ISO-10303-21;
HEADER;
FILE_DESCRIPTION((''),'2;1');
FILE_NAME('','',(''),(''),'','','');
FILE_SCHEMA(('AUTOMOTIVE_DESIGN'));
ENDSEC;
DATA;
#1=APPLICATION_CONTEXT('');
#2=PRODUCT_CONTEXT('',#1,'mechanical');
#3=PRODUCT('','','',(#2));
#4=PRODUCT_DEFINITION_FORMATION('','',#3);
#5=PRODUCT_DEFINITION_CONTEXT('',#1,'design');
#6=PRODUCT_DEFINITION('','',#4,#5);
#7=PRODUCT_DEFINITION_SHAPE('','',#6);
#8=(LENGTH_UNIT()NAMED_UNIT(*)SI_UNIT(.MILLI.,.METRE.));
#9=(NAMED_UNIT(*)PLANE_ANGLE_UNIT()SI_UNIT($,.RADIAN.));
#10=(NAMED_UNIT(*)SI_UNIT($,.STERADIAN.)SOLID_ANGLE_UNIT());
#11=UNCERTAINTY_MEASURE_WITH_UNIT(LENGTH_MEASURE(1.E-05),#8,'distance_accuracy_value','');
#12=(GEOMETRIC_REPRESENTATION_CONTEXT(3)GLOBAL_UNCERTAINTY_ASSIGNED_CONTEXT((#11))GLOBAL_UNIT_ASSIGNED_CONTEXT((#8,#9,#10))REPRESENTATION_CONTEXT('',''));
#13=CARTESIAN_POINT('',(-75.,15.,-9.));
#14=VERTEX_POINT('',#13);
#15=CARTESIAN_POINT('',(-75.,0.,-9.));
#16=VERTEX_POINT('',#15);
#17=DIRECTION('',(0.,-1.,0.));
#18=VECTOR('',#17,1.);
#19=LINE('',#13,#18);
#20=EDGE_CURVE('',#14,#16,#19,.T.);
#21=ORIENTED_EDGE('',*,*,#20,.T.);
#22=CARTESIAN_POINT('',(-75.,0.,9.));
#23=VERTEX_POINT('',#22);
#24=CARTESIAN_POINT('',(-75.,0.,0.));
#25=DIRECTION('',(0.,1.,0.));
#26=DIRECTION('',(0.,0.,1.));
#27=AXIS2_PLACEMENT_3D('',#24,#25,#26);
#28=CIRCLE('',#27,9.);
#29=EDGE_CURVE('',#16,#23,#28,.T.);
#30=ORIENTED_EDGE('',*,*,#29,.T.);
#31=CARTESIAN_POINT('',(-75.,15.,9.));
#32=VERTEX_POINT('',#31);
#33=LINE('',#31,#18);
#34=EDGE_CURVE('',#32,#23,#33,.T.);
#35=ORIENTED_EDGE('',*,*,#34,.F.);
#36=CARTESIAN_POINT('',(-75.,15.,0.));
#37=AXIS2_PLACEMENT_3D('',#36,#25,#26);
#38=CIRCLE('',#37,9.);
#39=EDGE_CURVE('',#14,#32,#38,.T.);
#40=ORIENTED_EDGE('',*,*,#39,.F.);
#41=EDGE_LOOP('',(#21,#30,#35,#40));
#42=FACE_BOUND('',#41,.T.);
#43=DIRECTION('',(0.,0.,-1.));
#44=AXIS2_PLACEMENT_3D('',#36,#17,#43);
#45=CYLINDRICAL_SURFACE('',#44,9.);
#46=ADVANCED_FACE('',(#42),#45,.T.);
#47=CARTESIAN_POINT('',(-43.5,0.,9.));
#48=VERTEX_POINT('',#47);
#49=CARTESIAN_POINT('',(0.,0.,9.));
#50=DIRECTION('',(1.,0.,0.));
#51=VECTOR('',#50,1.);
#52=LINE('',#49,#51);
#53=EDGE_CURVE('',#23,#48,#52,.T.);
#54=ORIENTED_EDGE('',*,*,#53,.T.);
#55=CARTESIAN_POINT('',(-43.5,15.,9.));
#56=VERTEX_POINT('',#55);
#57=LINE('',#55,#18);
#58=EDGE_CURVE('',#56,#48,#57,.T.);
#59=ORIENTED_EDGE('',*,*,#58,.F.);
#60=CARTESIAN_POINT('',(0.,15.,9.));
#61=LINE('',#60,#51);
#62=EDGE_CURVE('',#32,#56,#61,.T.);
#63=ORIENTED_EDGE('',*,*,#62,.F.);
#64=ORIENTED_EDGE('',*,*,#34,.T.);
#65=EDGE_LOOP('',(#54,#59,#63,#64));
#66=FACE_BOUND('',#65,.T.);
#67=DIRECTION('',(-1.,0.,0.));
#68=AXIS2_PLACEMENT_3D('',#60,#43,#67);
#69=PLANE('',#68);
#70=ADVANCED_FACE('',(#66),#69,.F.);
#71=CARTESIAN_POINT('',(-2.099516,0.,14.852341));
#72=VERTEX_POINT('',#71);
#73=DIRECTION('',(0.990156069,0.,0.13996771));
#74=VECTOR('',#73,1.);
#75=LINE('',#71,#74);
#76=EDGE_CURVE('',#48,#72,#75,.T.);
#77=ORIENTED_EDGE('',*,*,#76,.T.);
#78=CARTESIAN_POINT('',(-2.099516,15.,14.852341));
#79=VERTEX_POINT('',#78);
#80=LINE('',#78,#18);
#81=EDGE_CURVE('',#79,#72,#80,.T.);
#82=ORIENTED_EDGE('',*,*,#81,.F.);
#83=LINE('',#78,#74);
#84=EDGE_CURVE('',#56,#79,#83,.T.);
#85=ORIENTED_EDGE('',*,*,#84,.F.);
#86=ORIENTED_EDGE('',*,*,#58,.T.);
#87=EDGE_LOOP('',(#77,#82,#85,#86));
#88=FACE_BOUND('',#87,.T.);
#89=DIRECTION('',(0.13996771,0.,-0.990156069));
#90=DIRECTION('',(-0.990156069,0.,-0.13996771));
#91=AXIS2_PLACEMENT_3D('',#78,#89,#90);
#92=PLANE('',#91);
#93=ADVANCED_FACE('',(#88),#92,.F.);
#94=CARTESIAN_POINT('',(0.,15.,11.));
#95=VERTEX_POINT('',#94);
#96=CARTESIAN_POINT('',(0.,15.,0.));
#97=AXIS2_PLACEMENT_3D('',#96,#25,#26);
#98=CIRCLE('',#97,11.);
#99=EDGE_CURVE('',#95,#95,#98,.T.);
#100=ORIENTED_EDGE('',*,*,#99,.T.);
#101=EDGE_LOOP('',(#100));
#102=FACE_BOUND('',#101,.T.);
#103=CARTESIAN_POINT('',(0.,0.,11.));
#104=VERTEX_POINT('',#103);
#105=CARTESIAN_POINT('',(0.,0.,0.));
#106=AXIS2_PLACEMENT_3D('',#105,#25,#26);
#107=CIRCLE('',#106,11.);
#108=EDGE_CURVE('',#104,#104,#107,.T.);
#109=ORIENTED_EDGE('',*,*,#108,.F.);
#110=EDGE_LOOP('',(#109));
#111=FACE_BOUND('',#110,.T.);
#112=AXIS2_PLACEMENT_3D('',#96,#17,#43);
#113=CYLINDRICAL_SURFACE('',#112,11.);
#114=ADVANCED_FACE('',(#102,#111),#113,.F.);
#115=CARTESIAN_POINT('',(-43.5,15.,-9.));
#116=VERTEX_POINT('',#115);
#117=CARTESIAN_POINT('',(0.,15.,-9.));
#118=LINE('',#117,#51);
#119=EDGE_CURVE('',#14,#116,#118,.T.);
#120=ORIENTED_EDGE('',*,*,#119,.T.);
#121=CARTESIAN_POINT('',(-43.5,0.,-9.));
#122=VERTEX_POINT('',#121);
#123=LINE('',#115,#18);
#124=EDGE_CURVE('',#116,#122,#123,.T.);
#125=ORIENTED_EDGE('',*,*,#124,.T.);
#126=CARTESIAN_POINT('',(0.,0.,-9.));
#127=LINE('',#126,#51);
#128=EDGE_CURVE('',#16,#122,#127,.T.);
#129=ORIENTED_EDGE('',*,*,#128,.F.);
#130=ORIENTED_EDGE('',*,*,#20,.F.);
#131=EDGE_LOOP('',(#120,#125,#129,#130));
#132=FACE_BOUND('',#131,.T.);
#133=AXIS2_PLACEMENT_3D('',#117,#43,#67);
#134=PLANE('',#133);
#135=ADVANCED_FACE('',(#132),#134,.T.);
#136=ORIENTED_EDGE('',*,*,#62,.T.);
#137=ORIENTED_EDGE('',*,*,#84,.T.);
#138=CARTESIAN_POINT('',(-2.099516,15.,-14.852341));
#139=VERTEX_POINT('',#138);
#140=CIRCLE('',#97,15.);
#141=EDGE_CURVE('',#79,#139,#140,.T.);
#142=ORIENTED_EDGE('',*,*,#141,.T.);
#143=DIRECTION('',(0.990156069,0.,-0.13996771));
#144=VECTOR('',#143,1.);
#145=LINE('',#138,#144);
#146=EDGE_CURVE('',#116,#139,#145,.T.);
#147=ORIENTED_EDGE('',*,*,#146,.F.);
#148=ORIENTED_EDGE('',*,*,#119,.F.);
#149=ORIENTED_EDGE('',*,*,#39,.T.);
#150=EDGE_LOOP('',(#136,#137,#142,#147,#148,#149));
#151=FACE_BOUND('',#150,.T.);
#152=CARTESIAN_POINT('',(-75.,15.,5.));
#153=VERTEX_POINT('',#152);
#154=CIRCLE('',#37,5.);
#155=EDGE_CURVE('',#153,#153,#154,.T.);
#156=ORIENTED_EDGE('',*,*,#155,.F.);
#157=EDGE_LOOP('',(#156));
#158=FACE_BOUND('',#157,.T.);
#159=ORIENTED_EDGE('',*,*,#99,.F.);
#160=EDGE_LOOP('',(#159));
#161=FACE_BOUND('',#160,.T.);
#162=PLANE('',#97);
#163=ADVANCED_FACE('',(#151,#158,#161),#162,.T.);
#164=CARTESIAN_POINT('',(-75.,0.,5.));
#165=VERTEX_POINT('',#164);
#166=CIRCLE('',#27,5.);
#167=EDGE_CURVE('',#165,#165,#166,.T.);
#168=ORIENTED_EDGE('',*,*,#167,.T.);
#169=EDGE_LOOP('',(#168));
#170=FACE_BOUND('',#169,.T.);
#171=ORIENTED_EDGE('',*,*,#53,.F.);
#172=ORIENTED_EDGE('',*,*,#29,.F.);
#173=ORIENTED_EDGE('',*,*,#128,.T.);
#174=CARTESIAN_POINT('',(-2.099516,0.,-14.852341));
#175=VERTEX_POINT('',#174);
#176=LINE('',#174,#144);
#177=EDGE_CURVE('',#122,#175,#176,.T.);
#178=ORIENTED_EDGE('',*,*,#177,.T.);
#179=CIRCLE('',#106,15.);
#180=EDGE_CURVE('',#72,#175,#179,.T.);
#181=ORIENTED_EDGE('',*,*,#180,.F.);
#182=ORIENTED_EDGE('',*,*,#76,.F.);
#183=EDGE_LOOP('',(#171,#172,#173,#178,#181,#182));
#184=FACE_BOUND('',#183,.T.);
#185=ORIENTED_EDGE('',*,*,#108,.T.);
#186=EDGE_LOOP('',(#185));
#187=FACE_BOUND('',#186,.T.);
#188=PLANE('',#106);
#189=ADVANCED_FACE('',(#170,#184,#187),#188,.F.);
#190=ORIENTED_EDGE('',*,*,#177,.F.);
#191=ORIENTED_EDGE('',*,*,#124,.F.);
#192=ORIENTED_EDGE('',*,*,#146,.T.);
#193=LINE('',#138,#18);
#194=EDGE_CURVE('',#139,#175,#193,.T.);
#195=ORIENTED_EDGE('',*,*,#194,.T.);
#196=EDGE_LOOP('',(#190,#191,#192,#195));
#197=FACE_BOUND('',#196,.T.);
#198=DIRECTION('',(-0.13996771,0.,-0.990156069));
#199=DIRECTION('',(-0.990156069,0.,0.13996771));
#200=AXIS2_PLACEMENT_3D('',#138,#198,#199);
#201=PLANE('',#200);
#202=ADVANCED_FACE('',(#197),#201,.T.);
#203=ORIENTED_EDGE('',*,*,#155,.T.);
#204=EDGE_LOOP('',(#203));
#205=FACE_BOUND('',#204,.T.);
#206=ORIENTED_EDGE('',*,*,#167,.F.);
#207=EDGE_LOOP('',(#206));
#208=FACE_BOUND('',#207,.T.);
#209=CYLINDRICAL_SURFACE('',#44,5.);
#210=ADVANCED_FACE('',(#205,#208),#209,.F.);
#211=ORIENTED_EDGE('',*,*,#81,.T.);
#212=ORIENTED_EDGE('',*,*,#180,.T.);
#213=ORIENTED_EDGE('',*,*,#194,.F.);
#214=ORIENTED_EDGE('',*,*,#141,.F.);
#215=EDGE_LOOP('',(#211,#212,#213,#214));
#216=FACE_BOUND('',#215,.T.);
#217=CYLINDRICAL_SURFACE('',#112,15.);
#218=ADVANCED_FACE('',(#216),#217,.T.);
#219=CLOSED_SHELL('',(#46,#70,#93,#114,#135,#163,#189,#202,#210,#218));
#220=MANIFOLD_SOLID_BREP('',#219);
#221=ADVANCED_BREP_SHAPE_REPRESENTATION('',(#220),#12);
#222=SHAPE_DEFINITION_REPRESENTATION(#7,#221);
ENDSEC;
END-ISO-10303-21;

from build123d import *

# Parameters (mm, degrees)
SKETCH2_R           = 11
SKETCH2_R_2         = 5
BOSS_EXTRUDE2_DEPTH = 15


with BuildPart() as part:
    # Sketch2 → Boss-Extrude2 (new body)
    with BuildSketch(Plane(origin=(0, 0, 0), x_dir=(1, 0, 0), z_dir=(0, 1, 0))):
        with BuildLine():
            Line((-43.5, 9), (-75, 9))
            ThreePointArc((-75, 9), (-84, 0), (-75, -9))
            Line((-75, -9), (-43.5, -9))
            Line((-43.5, -9), (-2.099515649, -14.852341029))
            ThreePointArc((-2.099515649, -14.852341029), (15, 0), (-2.099515649, 14.852341029))
            Line((-2.099515649, 14.852341029), (-43.5, 9))
        make_face()
        Circle(SKETCH2_R, mode=Mode.SUBTRACT)
        with Locations((-75, 0)):
            Circle(SKETCH2_R_2, mode=Mode.SUBTRACT)
    extrude(amount=BOSS_EXTRUDE2_DEPTH)


solid = part.part
